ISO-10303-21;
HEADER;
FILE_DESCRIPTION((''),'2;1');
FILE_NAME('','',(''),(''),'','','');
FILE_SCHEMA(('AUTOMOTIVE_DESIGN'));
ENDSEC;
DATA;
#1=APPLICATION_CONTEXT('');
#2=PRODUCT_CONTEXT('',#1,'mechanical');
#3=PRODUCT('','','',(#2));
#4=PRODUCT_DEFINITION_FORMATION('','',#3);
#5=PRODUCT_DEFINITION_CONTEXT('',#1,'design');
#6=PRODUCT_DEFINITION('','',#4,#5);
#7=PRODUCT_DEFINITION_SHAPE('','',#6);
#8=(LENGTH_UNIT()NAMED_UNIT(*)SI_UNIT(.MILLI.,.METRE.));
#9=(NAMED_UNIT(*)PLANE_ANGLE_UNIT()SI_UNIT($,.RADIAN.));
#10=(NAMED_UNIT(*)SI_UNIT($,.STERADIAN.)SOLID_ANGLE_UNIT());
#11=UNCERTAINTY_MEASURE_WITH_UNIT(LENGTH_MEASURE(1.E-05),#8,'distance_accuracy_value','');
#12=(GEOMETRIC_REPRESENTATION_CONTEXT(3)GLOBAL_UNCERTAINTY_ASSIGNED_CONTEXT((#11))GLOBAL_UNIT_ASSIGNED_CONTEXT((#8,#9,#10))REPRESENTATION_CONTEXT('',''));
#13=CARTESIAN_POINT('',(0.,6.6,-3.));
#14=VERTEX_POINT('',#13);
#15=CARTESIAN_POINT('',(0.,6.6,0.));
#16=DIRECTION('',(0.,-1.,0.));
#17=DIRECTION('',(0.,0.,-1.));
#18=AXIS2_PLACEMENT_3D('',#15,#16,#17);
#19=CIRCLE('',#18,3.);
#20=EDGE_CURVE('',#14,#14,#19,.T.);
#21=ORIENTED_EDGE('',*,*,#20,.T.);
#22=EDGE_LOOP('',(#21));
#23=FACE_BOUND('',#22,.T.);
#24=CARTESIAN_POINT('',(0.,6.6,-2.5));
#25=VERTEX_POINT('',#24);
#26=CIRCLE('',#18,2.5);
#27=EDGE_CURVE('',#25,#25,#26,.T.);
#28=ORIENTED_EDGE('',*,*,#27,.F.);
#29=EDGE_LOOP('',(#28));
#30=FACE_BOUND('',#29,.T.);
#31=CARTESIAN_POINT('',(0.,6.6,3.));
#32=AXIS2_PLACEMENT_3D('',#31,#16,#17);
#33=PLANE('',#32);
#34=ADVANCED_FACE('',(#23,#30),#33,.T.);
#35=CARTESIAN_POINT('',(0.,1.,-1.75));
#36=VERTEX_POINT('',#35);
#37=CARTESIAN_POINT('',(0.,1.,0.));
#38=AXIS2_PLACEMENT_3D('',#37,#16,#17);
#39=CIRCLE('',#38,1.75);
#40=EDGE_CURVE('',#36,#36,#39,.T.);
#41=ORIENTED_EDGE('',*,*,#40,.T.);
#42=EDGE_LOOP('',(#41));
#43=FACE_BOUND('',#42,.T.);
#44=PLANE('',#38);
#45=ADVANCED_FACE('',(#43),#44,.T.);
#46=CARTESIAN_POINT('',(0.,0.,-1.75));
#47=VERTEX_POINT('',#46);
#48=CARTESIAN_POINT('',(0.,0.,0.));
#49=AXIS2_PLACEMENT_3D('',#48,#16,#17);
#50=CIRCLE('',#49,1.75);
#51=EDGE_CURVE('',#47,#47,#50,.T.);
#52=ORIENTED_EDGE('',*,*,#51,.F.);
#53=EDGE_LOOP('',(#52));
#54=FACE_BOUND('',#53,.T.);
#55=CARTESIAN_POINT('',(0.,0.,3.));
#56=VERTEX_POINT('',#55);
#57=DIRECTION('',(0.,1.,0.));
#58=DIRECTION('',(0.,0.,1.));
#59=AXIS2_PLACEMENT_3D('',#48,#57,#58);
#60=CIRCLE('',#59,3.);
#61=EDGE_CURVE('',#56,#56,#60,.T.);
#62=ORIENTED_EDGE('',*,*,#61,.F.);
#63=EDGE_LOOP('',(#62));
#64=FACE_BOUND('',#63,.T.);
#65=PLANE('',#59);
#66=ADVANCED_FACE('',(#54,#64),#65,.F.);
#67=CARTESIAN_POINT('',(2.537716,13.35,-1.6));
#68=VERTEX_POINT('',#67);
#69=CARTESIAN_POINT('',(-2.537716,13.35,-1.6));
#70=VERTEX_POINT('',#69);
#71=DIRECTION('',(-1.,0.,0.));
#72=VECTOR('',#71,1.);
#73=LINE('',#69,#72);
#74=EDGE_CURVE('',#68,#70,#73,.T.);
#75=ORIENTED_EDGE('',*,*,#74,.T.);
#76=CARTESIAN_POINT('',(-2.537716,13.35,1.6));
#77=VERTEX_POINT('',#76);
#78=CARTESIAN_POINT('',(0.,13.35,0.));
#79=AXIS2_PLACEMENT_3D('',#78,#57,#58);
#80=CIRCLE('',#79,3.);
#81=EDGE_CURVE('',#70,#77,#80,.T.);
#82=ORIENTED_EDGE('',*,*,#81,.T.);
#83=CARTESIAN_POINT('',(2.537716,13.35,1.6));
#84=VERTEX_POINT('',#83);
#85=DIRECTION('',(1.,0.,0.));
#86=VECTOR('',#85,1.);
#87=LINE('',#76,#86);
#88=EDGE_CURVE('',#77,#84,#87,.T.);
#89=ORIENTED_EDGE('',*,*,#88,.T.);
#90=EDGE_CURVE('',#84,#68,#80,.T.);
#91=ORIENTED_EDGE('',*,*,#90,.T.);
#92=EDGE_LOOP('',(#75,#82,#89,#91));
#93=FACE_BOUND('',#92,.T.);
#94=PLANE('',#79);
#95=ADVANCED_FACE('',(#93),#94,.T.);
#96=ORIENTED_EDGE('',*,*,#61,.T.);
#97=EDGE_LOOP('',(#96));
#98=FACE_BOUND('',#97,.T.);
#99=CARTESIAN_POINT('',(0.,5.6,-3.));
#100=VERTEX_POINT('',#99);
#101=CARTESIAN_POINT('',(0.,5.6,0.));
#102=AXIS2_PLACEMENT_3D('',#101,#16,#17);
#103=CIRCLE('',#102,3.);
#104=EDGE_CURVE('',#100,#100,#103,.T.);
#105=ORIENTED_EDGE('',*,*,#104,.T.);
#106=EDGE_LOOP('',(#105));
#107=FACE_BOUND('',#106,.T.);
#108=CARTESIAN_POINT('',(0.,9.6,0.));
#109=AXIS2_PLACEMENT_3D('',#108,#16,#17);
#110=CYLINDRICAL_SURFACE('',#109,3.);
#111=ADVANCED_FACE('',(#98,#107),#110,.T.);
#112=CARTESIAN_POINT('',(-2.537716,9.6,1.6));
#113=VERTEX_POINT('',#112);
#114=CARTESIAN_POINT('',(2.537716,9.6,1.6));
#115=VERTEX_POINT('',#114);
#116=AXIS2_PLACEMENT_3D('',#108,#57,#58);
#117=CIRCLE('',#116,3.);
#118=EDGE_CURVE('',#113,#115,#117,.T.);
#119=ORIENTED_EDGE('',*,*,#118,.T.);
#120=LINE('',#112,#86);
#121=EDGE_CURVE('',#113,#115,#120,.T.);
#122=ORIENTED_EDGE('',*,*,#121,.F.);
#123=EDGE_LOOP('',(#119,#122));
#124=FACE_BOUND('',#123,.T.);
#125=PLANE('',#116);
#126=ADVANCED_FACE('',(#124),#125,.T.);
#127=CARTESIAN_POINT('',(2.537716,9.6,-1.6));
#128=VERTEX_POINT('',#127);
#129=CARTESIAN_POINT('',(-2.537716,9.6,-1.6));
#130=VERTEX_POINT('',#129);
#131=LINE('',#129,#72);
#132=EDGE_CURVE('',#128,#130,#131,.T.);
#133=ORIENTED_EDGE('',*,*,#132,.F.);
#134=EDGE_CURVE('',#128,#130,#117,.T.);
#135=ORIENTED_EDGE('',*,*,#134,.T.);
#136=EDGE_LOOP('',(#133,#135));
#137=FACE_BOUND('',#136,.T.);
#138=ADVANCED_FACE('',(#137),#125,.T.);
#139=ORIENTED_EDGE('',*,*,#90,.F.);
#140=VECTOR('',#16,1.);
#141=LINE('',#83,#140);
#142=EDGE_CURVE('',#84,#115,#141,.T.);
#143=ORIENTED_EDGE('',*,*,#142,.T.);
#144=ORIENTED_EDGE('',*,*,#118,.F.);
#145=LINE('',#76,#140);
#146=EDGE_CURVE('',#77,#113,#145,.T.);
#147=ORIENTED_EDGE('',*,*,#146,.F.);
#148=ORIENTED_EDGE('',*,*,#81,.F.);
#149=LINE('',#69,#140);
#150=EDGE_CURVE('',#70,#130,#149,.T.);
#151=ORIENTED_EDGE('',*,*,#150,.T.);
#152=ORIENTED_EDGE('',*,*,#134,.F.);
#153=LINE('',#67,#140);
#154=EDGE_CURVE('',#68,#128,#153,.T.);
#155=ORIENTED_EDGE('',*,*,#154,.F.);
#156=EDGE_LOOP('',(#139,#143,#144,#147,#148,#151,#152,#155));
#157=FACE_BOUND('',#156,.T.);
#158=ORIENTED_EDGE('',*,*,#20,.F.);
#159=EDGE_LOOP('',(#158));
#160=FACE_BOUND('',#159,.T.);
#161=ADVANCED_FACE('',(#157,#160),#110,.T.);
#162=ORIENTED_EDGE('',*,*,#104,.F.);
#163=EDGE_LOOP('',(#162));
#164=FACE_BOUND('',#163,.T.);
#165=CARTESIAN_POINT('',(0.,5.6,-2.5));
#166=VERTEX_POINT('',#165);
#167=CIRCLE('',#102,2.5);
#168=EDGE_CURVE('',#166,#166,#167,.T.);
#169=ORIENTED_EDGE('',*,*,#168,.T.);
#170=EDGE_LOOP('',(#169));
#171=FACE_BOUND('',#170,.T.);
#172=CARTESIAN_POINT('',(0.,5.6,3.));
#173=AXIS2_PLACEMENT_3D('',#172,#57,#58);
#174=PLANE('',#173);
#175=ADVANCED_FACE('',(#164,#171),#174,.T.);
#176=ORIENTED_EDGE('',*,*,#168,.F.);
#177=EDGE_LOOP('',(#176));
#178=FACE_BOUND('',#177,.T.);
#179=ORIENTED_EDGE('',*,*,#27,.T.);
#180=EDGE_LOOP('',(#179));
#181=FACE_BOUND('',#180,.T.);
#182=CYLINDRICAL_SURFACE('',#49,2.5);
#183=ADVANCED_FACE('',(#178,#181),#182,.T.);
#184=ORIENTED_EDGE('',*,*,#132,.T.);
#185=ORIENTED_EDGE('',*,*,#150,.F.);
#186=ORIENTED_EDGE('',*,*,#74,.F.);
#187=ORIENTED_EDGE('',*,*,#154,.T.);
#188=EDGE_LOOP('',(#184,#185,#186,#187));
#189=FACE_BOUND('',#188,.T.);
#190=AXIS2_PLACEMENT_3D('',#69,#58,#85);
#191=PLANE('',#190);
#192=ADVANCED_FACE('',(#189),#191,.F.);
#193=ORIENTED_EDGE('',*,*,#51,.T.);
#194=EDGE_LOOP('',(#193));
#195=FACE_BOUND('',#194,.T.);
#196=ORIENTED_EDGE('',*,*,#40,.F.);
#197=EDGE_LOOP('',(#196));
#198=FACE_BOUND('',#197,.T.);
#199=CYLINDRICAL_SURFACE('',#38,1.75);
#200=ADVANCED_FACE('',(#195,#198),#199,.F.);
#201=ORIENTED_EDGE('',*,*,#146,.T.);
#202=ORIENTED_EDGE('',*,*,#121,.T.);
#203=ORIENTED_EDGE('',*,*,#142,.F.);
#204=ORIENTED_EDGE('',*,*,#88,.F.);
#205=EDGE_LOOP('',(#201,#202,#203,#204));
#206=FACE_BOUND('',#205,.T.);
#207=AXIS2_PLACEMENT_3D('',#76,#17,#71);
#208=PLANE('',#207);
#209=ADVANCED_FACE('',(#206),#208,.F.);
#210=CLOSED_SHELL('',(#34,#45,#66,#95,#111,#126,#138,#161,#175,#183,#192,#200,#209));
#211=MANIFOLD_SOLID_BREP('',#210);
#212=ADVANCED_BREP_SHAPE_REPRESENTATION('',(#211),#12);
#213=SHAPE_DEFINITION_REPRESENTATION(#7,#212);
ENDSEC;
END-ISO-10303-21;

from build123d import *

# Parameters (mm, degrees)
SKETCH1_R           = 3
BOSS_EXTRUDE1_DEPTH = 9.6
SKETCH2_R           = 1.75
CUT_EXTRUDE1_DEPTH  = 1
BOSS_EXTRUDE2_DEPTH = 3.75
SKETCH4_W           = 0.5
SKETCH4_H           = 1


with BuildPart() as part:
    # Sketch1 → Boss-Extrude1 (new body)
    with BuildSketch(Plane(origin=(0, 0, 0), x_dir=(1, 0, 0), z_dir=(0, 1, 0))):
        with Locations(Location((0, 0, 0), (0, 0, 270))):
            Circle(SKETCH1_R)
    extrude(amount=BOSS_EXTRUDE1_DEPTH)

    # Sketch2 → Cut-Extrude1 (cut)
    with BuildSketch(Plane.XZ):
        with Locations(Location((0, 0, 0), (0, 0, 270))):
            Circle(SKETCH2_R)
    extrude(amount=-CUT_EXTRUDE1_DEPTH, mode=Mode.SUBTRACT)

    # Sketch3 → Boss-Extrude2 (add)
    with BuildSketch(Plane(origin=(0, 9.6, 0), x_dir=(1, 0, 0), z_dir=(0, 1, 0))):
        with BuildLine():
            Line((-2.537715508, -1.6), (2.537715508, -1.6))
            ThreePointArc((2.537715508, -1.6), (3, 0), (2.537715508, 1.6))
            Line((2.537715508, 1.6), (-2.537715508, 1.6))
            ThreePointArc((-2.537715508, 1.6), (-3, 0), (-2.537715508, -1.6))
        make_face()
    extrude(amount=BOSS_EXTRUDE2_DEPTH)

    # Sketch4 → Cut-Revolve2 (revolve, cut)
    with BuildSketch(Plane(origin=(0, 0, 0), x_dir=(0, 0, -1), z_dir=(1, 0, 0)), mode=Mode.PRIVATE) as cut_revolve2_sk:
        with Locations((-2.75, 6.1)):
            Rectangle(SKETCH4_W, SKETCH4_H)
    revolve(cut_revolve2_sk.sketch.rotate(Axis((0, 0, 0), (0, 1, 0)), 180), axis=Axis((0, 0, 0), (0, 1, 0)), mode=Mode.SUBTRACT)


solid = part.part
